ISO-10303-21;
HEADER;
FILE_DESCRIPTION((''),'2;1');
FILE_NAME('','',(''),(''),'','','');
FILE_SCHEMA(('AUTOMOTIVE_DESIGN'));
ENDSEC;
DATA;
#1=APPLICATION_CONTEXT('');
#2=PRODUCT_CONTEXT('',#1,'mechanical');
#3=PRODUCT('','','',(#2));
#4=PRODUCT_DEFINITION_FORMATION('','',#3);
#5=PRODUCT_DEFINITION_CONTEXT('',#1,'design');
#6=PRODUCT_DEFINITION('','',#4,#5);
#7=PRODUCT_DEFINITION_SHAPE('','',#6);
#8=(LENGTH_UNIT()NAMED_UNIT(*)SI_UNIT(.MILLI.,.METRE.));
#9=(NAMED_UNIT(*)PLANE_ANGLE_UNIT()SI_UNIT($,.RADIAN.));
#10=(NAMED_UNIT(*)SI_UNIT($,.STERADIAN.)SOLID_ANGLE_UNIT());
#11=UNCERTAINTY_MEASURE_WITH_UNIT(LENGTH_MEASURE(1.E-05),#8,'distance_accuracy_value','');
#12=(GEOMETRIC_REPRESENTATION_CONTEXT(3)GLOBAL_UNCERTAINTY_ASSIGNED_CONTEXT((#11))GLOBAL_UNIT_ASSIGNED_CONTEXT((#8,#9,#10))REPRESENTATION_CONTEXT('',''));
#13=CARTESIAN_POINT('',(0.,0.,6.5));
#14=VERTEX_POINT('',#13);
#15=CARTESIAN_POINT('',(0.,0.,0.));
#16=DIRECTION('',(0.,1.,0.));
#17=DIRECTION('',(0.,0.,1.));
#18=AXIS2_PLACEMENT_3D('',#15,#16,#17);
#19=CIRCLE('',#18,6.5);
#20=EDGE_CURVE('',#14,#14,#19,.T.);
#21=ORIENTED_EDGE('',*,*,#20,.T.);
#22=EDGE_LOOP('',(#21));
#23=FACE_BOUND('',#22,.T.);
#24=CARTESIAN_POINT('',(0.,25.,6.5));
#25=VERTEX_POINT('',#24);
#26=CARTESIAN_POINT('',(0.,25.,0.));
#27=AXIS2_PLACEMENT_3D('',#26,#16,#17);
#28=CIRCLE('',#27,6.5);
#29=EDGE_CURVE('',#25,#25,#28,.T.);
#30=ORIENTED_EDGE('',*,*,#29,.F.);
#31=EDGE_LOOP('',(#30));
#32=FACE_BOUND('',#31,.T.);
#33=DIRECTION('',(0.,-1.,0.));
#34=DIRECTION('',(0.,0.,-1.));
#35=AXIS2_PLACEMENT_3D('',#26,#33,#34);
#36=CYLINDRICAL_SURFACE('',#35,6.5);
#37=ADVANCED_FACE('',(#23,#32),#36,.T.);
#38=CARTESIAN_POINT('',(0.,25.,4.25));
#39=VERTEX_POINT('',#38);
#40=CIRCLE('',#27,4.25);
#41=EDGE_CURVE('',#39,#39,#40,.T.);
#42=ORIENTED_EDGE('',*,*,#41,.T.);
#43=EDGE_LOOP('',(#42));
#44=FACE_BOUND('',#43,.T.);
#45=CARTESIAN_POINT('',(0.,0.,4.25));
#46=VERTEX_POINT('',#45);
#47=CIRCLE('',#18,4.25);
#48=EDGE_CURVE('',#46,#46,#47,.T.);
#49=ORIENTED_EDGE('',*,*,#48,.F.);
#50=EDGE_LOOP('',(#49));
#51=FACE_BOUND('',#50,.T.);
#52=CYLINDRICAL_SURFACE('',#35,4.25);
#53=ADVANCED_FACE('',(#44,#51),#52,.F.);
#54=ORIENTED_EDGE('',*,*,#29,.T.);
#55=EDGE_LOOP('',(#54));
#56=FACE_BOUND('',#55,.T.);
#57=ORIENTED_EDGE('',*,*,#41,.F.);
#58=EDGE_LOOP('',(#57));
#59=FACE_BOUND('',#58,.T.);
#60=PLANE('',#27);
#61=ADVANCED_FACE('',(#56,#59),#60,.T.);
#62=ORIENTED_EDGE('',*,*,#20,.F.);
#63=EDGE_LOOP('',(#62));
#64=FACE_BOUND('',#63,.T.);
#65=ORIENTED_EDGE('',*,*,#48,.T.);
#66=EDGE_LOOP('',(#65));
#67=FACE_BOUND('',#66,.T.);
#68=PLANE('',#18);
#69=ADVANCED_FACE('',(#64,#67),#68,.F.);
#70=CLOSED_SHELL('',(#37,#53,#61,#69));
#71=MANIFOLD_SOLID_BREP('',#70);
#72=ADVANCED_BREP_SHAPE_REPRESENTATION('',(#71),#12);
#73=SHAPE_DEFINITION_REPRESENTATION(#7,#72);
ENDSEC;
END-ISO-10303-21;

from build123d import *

# Parameters (mm, degrees)
SKETCH_1_R      = 6.5
SKETCH_1_R_2    = 4.25
EXTRUDE_1_DEPTH = 25


with BuildPart() as part:
    # Эскиз1 → Бобышка-Вытянуть1 (new body)
    with BuildSketch(Plane(origin=(0, 0, 0), x_dir=(1, 0, 0), z_dir=(0, 1, 0))):
        with Locations(Location((0, 0, 0), (0, 0, 270))):
            Circle(SKETCH_1_R)
        with Locations(Location((0, 0, 0), (0, 0, 270))):
            Circle(SKETCH_1_R_2, mode=Mode.SUBTRACT)
    extrude(amount=EXTRUDE_1_DEPTH)


solid = part.part
